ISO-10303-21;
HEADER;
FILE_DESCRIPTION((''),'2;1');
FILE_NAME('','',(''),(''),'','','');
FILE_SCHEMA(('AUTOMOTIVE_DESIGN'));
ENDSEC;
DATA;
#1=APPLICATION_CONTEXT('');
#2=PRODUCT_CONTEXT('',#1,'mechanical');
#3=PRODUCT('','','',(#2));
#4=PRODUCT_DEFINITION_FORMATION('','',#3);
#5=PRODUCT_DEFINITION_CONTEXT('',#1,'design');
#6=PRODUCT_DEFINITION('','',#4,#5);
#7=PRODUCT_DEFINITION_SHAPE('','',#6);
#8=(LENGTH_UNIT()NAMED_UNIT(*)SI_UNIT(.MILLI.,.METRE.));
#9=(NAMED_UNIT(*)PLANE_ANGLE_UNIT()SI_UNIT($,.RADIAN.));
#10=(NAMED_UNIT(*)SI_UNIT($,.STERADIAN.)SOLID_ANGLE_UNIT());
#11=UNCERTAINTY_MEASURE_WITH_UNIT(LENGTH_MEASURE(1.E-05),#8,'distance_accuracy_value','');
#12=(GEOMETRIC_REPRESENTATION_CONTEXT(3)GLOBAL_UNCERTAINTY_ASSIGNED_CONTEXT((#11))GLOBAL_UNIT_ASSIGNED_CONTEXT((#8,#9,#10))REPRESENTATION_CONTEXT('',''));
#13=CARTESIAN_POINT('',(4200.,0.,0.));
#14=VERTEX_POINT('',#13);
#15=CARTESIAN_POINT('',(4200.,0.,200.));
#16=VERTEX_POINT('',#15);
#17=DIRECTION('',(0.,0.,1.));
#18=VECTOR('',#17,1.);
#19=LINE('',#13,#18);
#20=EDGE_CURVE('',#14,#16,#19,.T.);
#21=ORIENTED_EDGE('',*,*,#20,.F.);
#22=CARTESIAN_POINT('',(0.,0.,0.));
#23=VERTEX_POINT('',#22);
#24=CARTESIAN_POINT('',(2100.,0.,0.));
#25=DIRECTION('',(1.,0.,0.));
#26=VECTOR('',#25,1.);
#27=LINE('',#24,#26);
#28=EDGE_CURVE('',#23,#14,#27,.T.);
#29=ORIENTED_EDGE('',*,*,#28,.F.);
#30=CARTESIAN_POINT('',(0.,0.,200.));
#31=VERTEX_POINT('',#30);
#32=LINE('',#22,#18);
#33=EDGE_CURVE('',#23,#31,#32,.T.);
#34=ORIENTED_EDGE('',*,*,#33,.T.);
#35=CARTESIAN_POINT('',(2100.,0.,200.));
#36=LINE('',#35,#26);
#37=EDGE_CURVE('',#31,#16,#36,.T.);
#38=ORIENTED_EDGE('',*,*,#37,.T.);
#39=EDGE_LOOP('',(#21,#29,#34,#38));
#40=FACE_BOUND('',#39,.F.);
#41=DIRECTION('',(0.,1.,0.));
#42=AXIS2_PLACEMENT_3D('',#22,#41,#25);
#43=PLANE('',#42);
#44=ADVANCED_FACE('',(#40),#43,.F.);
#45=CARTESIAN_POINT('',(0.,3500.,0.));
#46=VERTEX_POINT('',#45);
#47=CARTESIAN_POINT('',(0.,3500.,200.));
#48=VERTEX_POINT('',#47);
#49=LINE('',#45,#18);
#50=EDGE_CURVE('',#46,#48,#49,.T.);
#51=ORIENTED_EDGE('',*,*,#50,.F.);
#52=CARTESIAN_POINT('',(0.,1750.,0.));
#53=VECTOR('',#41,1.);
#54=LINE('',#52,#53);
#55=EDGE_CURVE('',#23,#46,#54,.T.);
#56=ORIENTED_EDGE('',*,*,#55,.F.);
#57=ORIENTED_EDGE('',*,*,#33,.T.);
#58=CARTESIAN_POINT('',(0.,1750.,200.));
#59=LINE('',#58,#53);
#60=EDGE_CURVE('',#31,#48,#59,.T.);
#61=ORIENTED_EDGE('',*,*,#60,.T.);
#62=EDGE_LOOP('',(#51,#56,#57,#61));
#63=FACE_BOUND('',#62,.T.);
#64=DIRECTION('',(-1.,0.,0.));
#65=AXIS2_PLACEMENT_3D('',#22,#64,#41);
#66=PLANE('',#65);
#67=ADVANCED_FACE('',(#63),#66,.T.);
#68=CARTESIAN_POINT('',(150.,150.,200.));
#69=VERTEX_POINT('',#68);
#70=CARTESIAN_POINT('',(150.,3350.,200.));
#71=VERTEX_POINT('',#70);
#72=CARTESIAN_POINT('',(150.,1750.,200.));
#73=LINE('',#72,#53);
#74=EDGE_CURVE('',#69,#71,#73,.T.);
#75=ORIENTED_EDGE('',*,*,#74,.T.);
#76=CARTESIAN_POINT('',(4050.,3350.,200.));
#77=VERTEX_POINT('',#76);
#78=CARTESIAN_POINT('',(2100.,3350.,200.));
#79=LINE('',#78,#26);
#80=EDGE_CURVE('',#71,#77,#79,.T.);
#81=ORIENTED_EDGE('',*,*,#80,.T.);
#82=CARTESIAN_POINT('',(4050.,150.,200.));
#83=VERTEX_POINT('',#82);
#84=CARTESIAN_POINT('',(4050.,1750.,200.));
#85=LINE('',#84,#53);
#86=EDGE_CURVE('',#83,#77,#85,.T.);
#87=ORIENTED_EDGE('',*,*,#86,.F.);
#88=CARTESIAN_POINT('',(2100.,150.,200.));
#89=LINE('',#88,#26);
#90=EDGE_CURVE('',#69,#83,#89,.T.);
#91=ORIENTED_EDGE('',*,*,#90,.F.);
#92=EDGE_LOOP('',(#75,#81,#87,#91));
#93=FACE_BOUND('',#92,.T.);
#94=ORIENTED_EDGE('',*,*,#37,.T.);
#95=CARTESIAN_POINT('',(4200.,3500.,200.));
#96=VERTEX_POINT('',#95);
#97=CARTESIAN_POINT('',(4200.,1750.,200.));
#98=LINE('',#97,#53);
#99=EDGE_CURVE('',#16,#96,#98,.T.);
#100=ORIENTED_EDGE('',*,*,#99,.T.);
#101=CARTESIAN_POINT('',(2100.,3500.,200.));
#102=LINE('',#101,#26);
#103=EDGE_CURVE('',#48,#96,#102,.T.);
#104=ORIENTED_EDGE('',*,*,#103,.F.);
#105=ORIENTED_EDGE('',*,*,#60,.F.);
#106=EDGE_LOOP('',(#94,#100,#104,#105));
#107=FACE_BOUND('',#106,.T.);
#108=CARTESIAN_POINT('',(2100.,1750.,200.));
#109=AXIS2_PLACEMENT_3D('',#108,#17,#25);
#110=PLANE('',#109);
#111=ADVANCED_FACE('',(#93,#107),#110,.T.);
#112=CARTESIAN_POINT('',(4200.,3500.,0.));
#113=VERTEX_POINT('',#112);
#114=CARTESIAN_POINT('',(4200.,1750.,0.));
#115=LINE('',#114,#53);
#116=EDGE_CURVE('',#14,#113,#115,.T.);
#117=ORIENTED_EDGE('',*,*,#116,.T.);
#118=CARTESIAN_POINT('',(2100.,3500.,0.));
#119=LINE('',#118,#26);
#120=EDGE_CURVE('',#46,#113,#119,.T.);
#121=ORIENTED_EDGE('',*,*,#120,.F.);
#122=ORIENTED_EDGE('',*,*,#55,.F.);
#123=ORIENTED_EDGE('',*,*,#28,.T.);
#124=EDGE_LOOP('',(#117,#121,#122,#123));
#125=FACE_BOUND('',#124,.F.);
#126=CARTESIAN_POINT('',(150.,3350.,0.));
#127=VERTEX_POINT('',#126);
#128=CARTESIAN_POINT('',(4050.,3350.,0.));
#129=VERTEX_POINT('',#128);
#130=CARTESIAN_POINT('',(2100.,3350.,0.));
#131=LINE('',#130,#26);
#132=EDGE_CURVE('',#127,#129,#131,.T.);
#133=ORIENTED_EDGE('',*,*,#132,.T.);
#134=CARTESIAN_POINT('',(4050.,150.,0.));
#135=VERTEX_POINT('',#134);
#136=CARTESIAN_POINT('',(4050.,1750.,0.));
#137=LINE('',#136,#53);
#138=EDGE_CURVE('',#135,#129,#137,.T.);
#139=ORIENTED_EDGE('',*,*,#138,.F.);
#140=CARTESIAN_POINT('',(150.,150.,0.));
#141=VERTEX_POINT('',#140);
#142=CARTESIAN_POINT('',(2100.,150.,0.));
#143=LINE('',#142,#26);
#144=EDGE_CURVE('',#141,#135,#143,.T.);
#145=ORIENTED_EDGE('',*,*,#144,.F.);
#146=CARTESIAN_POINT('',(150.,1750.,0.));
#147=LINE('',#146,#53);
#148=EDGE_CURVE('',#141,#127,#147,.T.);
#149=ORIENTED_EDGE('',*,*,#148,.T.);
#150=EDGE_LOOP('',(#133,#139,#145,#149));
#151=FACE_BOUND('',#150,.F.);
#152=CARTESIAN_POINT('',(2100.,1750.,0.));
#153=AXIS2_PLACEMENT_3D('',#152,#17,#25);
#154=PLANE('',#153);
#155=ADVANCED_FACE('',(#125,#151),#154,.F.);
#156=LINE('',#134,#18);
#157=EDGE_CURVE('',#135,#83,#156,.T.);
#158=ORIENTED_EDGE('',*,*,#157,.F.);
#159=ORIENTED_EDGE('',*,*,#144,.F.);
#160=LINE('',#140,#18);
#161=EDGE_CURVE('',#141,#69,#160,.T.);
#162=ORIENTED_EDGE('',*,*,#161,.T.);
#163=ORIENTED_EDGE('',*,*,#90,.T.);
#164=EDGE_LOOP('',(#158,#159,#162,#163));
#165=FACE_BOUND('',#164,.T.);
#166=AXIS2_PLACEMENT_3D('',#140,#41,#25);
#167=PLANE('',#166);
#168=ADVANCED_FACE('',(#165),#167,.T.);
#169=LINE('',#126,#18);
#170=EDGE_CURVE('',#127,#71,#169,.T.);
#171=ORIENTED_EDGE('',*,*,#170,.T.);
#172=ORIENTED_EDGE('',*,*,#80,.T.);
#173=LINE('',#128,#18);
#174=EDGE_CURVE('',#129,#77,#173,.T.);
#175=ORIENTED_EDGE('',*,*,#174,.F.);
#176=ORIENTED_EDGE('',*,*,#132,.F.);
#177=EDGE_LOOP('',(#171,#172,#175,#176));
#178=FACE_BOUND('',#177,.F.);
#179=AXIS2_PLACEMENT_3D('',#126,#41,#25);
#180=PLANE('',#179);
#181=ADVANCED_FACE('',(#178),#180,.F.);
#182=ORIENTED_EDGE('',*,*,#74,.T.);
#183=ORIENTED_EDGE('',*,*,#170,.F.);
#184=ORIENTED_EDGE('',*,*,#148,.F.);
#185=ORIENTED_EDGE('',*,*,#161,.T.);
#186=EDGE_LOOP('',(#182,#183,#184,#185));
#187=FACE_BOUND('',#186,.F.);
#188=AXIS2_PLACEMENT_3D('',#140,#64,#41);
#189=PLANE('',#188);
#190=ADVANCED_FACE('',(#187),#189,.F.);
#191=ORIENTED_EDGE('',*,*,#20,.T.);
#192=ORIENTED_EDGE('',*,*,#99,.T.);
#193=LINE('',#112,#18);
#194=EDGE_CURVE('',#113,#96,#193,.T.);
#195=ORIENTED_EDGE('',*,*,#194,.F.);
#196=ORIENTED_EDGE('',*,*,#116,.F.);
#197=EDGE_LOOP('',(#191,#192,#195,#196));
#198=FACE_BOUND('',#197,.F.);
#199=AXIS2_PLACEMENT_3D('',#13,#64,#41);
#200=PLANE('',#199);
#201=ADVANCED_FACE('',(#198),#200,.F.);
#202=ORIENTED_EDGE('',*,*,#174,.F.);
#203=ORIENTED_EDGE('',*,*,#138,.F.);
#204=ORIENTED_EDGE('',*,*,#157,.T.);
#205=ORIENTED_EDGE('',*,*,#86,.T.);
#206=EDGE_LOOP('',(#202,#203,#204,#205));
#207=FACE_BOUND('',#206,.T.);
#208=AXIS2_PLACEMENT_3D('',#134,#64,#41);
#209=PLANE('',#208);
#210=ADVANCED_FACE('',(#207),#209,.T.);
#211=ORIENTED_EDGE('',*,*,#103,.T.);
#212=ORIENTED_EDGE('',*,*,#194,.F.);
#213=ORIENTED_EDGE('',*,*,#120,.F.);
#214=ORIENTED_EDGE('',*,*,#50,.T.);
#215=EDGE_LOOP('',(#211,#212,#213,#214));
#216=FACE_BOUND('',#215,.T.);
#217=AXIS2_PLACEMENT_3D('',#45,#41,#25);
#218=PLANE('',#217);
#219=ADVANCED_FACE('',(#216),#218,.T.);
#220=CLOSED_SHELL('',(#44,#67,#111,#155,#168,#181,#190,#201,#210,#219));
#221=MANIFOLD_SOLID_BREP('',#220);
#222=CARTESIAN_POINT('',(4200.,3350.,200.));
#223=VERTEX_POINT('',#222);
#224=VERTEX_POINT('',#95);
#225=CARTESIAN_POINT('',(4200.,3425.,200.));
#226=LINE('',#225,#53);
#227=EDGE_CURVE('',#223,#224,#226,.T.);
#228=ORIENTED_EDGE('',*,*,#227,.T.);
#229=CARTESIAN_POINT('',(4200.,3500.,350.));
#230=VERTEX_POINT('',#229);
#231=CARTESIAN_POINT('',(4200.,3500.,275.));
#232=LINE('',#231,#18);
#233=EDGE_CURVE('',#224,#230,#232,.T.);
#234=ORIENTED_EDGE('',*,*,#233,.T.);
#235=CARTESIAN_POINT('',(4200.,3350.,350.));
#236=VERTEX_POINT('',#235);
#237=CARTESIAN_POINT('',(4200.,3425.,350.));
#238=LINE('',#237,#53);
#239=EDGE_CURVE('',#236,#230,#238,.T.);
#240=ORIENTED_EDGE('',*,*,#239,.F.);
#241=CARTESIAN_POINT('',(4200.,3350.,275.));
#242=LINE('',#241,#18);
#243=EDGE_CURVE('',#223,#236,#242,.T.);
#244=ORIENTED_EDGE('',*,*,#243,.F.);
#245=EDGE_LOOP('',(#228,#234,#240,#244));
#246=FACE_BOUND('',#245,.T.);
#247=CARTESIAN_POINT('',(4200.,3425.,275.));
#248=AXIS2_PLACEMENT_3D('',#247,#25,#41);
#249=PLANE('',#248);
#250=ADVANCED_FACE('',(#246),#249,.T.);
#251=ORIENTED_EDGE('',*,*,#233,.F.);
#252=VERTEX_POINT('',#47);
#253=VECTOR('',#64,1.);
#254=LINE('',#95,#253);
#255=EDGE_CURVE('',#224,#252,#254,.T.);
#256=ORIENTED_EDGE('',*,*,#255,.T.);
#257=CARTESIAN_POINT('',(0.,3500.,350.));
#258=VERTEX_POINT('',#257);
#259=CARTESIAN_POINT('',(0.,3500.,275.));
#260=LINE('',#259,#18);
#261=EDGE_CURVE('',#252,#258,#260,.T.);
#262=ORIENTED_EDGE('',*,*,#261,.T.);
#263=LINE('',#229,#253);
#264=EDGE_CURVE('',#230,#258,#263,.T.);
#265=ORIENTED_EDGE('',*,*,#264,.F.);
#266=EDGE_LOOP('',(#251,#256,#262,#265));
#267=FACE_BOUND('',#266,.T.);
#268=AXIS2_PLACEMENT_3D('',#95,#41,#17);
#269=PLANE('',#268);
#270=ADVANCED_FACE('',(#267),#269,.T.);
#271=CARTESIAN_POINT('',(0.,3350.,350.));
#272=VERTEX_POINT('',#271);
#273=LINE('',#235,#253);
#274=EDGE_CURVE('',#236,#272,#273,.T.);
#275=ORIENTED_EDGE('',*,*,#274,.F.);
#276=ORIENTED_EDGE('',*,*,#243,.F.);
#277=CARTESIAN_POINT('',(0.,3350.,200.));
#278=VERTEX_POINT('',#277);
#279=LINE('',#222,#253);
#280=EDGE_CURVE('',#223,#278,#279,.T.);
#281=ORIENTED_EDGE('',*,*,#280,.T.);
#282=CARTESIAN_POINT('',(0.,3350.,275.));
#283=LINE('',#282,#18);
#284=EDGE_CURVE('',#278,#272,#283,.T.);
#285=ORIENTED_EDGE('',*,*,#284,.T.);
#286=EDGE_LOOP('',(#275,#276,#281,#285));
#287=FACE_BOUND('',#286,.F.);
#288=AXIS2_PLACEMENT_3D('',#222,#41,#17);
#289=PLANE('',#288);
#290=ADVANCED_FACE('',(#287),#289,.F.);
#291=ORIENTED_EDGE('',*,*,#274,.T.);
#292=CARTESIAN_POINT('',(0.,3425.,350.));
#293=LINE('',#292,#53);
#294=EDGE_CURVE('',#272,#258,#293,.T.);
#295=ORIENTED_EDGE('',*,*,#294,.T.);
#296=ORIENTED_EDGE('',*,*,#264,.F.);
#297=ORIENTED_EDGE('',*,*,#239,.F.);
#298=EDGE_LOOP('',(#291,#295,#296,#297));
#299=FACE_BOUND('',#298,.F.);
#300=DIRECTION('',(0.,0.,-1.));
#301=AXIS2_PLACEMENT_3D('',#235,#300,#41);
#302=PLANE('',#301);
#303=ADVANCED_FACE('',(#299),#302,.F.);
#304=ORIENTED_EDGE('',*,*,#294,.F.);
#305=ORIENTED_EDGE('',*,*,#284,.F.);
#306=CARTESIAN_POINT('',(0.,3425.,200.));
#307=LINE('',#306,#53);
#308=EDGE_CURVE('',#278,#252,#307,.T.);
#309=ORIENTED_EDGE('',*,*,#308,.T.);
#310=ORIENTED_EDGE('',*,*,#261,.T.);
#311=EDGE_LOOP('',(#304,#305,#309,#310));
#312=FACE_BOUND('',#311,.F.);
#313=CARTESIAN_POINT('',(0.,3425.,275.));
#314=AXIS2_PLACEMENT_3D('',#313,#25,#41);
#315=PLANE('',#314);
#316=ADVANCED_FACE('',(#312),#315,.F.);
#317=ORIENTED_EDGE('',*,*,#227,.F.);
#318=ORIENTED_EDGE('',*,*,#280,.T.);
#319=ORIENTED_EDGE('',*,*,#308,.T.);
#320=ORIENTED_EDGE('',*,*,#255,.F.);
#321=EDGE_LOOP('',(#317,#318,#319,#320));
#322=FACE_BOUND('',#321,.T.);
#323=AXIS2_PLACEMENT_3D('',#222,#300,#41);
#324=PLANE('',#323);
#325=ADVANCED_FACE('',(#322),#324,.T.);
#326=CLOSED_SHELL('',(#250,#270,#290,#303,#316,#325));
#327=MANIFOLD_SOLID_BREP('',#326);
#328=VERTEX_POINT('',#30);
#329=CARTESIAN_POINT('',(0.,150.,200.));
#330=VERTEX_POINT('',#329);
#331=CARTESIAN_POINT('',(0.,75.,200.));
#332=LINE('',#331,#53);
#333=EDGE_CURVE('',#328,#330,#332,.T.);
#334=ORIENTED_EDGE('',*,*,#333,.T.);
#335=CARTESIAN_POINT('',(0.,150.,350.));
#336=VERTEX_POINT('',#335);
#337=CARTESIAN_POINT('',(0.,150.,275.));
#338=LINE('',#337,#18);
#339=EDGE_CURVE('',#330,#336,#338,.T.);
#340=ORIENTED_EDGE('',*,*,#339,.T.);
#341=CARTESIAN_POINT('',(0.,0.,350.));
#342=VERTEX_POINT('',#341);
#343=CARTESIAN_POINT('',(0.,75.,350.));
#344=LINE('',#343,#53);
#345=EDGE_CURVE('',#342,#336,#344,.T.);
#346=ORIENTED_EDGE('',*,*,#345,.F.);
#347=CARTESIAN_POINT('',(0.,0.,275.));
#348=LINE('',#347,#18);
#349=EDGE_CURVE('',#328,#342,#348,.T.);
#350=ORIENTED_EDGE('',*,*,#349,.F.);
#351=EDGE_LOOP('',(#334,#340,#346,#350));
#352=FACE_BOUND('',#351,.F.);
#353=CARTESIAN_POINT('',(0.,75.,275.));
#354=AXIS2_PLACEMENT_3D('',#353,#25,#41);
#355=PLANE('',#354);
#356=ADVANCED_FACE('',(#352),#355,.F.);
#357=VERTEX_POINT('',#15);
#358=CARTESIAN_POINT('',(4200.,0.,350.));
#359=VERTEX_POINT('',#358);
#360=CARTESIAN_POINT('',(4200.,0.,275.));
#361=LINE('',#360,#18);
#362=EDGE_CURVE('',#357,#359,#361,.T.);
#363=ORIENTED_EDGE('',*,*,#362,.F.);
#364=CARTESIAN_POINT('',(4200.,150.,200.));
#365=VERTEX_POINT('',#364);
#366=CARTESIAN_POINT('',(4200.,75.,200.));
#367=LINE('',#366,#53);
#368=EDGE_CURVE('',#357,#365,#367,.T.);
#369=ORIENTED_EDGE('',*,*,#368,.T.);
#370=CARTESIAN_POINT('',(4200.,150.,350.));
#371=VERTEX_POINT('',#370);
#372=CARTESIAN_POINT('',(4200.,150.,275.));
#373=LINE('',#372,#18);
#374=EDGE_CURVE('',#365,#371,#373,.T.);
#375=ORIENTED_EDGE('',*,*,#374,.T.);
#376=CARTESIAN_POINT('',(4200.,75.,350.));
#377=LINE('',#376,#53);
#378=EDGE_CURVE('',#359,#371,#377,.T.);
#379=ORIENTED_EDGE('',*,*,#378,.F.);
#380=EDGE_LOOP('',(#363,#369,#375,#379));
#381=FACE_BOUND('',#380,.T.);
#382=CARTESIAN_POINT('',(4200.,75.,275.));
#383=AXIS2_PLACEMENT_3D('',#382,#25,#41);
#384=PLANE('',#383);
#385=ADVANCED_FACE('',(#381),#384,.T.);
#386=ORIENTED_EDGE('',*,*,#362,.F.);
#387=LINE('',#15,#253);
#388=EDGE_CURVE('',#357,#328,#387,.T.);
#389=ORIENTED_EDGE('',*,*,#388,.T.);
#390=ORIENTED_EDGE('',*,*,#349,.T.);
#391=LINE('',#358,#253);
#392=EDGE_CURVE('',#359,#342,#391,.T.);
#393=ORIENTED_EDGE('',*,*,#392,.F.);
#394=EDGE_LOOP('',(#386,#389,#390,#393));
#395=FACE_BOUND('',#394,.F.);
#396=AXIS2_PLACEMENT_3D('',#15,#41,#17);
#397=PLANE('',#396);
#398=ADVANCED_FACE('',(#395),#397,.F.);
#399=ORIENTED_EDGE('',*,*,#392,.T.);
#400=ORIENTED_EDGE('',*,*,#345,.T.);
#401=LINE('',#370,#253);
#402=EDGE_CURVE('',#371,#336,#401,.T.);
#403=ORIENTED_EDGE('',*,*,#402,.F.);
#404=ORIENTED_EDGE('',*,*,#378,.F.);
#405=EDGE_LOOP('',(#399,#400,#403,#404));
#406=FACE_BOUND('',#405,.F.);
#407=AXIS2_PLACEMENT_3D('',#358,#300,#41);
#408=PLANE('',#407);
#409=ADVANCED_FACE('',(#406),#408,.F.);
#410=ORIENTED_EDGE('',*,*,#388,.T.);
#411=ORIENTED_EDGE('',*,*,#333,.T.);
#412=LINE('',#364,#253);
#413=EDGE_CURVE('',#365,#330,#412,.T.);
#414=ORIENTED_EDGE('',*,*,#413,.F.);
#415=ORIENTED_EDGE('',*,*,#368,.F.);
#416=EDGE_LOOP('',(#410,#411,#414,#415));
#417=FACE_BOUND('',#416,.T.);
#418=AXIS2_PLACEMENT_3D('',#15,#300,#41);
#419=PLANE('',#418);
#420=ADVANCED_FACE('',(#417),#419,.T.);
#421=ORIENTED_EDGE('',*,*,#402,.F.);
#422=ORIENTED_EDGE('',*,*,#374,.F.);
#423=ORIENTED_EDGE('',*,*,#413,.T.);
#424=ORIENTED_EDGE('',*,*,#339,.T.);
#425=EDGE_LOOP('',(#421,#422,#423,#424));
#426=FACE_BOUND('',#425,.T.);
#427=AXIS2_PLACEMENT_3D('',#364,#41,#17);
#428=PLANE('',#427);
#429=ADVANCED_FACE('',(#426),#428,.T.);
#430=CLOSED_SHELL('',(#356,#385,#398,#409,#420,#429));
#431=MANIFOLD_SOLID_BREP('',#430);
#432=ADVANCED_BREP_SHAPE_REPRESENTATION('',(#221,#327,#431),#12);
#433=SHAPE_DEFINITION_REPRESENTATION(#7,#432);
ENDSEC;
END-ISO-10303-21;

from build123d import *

# Parameters (mm, degrees)
F0_W     = 4200
F0_H     = 3500
F0_W_2   = 3900
F0_H_2   = 3200
F1_DEPTH = 200
F2_W     = 150
F2_H     = 150
F3_DEPTH = 4200


with BuildPart() as f1:
    # F0 (on Top) → F1 (new body)
    with BuildSketch(Plane.XY):
        with Locations((2100, 1750)):
            Rectangle(F0_W, F0_H)
        with Locations((2100, 1750)):
            Rectangle(F0_W_2, F0_H_2, mode=Mode.SUBTRACT)
    extrude(amount=F1_DEPTH)


with BuildPart() as f3:
    # F2 (on face) → F3 (new body)
    with BuildSketch(Plane.YZ.offset(4200)):
        with Locations((75, 275)):
            Rectangle(F2_W, F2_H)
        with Locations((3425, 275)):
            Rectangle(F2_W, F2_H)
    extrude(amount=-F3_DEPTH)


solid = Compound([f1.part, f3.part])
